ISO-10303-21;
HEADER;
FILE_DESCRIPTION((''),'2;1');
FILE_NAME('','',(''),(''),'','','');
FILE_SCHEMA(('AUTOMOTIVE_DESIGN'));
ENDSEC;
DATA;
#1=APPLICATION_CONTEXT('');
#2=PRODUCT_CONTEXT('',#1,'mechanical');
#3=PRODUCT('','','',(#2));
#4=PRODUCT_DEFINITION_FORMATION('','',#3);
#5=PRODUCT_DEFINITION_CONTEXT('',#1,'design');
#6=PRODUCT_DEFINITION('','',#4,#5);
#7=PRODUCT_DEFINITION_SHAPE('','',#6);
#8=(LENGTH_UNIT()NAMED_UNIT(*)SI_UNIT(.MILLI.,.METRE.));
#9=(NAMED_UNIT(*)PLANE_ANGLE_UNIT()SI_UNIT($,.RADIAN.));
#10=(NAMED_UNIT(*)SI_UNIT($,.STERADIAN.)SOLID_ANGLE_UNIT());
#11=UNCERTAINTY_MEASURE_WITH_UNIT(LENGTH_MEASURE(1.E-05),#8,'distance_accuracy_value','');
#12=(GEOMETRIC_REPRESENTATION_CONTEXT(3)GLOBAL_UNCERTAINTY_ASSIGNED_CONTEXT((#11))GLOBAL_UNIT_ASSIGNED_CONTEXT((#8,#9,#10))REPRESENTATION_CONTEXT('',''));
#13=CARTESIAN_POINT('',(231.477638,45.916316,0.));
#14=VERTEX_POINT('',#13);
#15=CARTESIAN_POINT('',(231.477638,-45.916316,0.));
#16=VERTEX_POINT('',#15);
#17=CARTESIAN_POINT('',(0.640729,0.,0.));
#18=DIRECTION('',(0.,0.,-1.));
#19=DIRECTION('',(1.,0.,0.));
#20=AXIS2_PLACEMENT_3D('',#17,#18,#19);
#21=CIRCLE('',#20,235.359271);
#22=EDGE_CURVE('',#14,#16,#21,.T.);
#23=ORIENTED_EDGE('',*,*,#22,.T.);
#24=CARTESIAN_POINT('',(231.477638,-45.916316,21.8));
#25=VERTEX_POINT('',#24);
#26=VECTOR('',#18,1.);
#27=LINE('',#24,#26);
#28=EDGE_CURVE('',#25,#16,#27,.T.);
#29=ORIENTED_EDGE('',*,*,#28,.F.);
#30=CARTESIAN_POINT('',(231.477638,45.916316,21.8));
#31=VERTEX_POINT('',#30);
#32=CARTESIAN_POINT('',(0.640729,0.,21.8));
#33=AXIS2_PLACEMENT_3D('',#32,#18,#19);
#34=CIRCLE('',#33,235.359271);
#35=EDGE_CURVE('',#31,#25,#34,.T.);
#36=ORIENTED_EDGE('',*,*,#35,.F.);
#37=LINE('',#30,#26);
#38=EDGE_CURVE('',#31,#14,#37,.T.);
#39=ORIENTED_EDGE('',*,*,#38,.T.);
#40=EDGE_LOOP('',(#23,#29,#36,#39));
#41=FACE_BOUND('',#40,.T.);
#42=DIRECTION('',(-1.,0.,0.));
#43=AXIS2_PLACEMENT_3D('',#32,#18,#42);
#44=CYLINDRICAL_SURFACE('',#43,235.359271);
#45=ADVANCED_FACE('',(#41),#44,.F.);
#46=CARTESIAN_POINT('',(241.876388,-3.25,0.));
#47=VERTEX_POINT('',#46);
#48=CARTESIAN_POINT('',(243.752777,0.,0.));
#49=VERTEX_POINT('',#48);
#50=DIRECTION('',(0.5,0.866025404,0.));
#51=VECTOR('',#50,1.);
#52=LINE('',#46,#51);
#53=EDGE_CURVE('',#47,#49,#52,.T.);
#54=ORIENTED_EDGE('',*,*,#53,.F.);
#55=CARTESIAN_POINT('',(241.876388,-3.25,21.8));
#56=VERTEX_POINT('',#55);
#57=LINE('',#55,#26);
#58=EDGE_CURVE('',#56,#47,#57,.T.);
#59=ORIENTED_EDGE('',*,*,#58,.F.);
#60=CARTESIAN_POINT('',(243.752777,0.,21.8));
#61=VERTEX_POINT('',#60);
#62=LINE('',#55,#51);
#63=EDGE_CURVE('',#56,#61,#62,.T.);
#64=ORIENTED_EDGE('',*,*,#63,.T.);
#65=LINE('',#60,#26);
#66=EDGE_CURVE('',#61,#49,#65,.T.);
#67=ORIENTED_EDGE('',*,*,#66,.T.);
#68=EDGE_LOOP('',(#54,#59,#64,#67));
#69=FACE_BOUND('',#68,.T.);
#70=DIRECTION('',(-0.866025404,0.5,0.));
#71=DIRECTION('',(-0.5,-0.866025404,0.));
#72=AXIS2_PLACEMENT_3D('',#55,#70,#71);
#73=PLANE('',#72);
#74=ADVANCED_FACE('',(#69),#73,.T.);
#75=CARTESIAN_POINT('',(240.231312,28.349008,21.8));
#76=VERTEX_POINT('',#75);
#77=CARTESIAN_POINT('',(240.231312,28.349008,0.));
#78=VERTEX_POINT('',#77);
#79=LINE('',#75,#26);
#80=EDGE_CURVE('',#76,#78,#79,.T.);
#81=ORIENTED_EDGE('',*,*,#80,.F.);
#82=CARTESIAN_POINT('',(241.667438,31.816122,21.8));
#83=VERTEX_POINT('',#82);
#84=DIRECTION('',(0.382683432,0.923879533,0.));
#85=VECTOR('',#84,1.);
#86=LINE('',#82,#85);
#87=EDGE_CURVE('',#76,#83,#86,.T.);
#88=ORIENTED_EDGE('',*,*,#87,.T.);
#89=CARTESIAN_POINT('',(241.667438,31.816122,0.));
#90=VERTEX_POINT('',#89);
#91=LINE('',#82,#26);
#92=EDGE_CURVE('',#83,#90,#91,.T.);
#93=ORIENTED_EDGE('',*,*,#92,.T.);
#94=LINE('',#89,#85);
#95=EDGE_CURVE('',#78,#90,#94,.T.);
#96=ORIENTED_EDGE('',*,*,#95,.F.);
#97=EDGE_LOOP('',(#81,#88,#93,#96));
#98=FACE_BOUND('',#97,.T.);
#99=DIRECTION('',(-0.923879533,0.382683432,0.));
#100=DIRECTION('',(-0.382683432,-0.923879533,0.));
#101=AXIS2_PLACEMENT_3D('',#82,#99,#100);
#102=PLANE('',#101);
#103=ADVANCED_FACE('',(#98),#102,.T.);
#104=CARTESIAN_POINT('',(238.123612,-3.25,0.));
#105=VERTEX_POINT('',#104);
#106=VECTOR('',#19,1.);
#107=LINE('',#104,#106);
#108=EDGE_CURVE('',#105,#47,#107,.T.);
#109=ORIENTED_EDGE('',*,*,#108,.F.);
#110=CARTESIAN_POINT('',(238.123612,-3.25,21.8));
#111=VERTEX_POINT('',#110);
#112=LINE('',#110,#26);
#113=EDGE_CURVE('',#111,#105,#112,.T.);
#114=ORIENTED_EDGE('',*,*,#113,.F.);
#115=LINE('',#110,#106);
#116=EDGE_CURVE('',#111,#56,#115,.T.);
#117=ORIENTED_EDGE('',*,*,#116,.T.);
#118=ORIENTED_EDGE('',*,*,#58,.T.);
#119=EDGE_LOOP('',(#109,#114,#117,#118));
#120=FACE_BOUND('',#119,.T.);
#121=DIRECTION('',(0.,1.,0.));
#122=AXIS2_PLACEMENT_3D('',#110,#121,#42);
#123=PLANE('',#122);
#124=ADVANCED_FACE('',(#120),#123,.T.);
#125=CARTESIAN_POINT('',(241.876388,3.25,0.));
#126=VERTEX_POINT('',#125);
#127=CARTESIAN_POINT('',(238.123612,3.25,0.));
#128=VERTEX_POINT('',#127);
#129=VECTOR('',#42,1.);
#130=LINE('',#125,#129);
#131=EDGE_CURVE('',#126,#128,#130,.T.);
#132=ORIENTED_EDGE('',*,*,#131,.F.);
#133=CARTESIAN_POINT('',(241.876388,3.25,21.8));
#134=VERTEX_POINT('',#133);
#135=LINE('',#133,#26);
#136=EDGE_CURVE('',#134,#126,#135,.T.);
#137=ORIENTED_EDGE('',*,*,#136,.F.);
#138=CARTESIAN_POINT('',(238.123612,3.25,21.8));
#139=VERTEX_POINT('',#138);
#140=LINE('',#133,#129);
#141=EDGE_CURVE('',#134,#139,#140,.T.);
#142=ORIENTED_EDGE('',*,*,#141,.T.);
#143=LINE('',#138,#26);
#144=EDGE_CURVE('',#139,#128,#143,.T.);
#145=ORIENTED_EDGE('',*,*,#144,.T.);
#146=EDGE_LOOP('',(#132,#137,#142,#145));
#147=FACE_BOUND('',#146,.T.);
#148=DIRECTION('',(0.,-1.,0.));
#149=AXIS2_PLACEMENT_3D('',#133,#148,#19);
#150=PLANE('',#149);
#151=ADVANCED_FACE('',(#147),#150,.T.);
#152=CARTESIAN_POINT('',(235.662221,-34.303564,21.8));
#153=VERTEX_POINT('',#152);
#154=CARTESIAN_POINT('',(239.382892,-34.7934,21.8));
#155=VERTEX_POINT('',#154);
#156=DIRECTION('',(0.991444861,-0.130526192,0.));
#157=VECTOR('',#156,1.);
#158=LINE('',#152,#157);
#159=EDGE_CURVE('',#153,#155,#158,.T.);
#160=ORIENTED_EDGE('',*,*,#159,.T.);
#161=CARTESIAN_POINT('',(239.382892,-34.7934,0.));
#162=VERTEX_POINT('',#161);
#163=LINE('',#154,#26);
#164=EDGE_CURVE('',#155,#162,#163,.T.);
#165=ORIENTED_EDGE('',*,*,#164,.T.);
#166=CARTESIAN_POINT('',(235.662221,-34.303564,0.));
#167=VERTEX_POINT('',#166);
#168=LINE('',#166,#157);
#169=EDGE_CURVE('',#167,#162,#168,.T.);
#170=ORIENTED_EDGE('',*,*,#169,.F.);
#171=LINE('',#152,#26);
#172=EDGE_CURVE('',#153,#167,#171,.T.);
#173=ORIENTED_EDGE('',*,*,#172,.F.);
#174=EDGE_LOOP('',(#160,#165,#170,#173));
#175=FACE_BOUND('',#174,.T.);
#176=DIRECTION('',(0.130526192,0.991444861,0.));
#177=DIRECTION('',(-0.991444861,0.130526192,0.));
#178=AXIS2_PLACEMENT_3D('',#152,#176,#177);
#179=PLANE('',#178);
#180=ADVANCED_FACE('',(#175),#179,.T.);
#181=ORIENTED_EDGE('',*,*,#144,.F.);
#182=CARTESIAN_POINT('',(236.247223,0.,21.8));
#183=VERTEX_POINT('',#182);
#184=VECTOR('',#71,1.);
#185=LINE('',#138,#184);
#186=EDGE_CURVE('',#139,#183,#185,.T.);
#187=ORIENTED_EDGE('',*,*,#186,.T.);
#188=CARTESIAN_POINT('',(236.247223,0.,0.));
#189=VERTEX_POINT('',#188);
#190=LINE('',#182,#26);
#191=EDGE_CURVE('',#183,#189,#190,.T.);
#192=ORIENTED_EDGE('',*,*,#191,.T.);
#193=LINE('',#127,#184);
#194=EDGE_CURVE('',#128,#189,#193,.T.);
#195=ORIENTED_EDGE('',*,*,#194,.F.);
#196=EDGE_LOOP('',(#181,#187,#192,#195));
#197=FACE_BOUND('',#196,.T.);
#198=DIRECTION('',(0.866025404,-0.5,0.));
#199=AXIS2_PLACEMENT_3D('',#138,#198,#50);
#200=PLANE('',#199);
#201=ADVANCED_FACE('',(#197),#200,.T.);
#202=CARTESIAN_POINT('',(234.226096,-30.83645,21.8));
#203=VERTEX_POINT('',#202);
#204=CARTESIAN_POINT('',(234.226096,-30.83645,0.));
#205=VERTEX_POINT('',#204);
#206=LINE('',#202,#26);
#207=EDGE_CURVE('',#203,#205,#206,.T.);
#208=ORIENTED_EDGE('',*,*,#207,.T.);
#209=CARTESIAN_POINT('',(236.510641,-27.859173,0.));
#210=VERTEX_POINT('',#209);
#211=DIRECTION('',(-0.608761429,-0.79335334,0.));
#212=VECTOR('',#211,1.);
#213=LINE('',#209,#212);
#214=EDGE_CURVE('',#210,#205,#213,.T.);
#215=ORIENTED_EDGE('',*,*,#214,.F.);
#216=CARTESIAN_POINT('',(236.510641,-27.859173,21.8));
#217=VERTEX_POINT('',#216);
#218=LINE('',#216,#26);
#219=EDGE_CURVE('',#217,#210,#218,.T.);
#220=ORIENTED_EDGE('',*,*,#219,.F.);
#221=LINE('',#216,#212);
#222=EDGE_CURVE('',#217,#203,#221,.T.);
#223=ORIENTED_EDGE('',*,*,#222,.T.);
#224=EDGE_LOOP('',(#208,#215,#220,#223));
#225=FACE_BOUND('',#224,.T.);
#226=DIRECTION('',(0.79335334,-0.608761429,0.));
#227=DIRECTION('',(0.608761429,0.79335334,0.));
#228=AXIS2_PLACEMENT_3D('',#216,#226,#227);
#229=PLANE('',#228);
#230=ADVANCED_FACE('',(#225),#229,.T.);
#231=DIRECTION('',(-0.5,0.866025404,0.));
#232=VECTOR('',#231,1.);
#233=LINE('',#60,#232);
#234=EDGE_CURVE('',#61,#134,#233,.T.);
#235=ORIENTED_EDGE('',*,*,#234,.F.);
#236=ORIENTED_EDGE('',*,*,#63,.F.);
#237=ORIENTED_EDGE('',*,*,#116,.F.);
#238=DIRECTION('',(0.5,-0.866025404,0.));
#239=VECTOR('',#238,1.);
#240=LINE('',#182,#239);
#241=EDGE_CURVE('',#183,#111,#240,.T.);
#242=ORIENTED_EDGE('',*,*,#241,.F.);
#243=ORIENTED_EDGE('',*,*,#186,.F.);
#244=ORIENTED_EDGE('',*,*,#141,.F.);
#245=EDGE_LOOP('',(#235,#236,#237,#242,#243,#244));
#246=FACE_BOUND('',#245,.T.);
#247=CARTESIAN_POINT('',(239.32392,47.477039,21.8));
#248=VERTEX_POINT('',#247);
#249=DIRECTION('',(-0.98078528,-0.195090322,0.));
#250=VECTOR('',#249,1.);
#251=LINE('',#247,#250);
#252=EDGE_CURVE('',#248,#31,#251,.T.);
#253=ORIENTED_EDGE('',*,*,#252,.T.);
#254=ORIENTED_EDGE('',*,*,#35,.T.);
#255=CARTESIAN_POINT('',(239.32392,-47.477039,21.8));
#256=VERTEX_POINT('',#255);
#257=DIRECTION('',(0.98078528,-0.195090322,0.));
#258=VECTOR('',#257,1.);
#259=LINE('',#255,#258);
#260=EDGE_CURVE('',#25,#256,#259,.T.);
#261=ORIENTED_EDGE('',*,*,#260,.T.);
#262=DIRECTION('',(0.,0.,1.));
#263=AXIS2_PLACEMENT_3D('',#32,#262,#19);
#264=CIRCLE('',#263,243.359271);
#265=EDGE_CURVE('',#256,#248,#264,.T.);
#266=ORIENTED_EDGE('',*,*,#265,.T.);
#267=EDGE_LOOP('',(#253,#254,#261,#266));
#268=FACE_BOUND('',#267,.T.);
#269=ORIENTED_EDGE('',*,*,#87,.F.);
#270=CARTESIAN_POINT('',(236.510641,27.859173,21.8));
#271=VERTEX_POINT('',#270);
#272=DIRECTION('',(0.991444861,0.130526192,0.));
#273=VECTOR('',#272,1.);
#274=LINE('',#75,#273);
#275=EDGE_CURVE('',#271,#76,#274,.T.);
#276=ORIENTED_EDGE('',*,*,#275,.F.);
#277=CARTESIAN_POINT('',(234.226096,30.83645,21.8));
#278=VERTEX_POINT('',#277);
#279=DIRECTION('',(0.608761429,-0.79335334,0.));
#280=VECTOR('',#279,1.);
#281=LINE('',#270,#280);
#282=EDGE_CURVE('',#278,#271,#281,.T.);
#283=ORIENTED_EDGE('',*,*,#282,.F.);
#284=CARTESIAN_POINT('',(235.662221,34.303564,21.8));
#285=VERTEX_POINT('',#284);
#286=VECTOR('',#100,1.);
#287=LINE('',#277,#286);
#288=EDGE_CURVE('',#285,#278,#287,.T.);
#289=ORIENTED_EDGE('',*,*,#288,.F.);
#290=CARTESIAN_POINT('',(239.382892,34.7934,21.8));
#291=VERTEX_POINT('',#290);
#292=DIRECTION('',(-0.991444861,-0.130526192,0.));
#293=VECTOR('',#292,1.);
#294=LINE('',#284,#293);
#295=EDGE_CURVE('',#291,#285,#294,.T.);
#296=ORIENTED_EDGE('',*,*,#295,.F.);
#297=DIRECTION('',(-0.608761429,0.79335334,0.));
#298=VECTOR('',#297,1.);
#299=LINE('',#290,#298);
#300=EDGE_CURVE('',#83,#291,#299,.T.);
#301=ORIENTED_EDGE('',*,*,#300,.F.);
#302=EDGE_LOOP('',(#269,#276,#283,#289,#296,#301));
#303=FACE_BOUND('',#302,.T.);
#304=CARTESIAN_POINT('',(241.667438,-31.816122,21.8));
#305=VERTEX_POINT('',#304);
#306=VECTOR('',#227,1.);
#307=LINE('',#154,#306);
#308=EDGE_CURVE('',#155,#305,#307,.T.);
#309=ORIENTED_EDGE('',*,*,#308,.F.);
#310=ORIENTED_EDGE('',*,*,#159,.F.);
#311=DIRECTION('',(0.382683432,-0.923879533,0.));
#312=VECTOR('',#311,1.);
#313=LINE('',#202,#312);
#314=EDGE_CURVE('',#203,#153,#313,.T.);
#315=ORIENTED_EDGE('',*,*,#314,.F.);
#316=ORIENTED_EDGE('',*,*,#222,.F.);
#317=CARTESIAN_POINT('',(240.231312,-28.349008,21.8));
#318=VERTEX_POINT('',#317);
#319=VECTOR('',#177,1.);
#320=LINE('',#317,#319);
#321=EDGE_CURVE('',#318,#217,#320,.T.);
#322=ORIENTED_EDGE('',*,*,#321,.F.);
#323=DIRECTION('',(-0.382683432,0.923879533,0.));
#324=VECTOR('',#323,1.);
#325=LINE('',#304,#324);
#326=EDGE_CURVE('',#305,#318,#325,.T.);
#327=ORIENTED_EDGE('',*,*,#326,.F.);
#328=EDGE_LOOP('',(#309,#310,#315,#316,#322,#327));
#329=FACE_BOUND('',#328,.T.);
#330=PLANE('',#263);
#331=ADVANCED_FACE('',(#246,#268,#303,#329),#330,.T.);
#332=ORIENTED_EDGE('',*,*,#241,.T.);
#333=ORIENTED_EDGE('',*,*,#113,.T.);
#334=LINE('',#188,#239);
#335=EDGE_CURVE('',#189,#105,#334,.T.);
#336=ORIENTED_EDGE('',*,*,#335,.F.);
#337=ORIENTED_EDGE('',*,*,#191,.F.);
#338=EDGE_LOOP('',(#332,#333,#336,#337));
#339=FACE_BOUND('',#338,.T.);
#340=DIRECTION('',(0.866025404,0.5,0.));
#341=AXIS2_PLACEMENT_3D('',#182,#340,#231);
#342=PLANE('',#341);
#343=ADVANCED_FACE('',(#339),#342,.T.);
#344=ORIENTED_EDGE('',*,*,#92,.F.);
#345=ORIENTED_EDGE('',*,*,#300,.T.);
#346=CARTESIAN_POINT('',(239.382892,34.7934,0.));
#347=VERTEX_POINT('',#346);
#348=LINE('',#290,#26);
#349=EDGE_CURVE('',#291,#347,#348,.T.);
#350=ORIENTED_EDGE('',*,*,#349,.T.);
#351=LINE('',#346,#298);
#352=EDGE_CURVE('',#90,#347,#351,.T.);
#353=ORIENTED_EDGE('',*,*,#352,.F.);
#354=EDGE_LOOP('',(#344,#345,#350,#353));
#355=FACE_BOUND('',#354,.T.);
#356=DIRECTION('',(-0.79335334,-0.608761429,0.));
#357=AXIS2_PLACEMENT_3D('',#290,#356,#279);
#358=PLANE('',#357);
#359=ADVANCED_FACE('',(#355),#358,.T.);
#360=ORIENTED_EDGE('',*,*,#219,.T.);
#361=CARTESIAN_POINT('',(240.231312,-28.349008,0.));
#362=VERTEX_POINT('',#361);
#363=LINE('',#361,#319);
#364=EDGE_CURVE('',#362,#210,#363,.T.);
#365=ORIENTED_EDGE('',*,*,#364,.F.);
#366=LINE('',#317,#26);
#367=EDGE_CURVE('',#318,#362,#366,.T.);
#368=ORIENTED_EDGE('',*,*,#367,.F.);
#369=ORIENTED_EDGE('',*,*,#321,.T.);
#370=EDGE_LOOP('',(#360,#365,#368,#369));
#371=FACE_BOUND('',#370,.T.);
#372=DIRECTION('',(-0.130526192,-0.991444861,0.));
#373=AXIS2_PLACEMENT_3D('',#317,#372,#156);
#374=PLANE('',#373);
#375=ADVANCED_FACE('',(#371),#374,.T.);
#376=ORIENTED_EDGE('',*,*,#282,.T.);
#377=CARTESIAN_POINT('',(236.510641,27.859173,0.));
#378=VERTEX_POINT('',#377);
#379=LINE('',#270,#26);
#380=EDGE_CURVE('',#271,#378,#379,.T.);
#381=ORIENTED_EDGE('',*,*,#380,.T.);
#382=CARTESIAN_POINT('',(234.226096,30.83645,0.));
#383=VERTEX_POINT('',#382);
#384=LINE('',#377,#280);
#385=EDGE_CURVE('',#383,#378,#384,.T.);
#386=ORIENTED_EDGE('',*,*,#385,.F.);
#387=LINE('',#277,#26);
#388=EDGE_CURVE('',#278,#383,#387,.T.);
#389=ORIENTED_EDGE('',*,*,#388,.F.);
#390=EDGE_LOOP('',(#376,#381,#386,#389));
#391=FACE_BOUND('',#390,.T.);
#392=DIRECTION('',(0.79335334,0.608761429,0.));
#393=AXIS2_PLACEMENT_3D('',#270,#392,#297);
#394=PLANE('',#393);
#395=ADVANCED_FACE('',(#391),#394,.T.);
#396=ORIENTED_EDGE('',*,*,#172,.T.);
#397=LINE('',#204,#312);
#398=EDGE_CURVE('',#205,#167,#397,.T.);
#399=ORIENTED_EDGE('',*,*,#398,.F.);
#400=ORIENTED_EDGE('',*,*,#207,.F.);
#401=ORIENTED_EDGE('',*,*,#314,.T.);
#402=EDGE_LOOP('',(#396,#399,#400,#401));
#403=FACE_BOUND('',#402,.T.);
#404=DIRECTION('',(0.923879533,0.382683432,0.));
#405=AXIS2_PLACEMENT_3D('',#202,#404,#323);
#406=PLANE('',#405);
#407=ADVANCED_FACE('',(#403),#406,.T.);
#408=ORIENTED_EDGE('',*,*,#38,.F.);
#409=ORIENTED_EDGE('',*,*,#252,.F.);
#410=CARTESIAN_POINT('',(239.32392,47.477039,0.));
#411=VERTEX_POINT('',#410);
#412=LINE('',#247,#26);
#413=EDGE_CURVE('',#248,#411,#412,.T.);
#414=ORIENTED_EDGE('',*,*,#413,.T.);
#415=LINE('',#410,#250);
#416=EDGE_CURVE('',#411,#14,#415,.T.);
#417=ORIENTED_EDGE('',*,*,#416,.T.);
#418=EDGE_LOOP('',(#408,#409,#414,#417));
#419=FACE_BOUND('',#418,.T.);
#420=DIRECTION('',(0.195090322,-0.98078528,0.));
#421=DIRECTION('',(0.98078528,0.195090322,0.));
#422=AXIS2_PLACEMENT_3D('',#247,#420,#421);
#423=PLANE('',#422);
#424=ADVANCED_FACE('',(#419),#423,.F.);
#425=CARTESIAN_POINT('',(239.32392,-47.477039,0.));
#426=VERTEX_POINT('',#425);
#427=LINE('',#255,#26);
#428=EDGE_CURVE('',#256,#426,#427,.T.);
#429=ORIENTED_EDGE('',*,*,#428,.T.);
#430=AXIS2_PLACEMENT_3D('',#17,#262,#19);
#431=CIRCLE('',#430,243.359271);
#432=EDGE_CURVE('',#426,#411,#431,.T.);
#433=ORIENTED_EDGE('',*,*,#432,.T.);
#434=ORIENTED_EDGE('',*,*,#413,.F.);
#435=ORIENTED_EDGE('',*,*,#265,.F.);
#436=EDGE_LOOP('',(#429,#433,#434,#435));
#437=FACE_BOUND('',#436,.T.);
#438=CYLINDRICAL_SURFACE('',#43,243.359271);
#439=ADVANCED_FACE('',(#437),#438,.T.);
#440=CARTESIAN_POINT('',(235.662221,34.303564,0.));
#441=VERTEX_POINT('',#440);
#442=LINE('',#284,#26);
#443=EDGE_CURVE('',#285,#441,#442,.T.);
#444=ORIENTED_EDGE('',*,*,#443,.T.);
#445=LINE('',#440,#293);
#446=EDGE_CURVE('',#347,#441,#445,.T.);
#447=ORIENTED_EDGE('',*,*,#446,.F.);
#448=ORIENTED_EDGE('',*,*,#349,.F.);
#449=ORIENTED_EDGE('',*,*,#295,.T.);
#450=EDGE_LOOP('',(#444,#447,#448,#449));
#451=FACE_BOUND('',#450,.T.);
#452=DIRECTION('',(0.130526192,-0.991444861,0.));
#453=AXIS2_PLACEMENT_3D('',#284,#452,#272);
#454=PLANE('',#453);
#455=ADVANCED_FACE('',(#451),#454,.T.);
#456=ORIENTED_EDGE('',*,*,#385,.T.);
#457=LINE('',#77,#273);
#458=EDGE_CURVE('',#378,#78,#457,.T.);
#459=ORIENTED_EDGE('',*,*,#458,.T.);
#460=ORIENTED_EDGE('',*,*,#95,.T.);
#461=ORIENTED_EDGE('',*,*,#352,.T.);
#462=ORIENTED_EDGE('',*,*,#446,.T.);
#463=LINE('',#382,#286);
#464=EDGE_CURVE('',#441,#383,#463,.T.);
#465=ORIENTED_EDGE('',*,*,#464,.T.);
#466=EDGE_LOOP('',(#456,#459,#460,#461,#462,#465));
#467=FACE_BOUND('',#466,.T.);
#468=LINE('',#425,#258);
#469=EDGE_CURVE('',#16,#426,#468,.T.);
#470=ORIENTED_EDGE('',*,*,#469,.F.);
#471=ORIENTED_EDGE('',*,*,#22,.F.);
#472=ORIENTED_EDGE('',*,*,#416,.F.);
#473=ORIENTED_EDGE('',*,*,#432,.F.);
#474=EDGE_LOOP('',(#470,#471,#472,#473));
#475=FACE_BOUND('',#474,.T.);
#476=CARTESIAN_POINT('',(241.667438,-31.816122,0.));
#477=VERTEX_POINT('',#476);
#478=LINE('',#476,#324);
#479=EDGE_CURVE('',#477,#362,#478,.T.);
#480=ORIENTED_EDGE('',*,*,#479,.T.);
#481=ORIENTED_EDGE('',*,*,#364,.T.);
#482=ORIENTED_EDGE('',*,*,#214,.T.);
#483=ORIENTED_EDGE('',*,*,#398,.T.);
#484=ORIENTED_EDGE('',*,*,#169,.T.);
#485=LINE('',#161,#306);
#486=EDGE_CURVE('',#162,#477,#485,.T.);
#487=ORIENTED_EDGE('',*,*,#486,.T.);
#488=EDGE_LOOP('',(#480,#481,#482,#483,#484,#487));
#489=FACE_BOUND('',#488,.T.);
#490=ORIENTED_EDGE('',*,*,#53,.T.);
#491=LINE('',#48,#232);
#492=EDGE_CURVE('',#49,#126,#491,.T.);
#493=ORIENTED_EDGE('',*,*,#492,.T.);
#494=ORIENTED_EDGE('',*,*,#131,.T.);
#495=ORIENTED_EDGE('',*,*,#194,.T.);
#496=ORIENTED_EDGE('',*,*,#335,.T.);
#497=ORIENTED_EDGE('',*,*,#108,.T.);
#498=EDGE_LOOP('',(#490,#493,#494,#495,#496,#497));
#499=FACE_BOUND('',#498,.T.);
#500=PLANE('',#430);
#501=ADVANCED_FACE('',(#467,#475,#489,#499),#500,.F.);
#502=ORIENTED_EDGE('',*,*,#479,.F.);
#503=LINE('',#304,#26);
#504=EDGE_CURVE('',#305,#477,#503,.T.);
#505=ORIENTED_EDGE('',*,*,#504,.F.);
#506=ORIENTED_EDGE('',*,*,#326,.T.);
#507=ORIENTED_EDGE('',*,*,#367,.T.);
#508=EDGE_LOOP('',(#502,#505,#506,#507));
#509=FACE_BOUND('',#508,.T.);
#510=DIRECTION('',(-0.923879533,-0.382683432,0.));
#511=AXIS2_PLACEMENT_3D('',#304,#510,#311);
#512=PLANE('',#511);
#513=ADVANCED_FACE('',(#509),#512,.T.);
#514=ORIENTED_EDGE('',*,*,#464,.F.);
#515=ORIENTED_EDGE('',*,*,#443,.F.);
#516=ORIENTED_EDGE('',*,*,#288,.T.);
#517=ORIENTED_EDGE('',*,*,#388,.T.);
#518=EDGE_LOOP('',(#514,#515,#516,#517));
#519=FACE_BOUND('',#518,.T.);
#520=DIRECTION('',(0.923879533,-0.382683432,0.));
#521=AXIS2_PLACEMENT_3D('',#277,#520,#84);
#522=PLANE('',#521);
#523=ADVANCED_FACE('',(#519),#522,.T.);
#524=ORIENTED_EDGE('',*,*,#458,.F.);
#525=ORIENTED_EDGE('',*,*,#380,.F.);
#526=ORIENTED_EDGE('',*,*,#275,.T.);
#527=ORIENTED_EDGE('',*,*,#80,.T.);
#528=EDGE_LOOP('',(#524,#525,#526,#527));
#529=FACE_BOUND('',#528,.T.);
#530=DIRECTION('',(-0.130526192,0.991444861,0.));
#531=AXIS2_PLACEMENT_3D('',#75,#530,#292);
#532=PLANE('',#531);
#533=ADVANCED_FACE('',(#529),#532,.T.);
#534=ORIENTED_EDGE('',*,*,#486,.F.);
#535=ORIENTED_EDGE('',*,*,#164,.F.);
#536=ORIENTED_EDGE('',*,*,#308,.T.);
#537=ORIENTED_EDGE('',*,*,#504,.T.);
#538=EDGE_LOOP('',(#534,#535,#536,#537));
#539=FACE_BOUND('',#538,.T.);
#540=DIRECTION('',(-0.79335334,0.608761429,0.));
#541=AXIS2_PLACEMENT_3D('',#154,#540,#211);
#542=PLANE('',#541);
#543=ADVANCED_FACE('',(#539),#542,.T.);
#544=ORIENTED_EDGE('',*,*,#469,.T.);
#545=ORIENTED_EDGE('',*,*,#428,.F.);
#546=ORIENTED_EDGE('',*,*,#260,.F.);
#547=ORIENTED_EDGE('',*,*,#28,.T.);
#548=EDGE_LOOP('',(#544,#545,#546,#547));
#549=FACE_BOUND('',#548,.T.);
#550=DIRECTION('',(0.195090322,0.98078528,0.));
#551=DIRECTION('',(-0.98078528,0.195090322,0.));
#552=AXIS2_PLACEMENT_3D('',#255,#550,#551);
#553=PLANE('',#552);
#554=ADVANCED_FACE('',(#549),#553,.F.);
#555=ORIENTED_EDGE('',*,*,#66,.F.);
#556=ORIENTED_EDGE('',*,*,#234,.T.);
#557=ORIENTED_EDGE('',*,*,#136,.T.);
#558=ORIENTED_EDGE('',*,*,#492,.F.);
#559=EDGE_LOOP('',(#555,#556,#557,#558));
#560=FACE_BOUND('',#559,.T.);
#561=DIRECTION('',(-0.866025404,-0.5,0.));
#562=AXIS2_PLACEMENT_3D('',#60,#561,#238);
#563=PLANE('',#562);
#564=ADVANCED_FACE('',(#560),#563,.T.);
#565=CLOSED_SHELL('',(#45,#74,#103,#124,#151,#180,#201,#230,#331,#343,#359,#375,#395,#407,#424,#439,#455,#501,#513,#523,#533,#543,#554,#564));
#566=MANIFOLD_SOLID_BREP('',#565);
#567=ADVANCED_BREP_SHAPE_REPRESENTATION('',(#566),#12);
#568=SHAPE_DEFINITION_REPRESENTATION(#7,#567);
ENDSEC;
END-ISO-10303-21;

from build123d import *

# Parameters (mm, degrees)
BOSS_EXTRUDE1_DEPTH = 21.8


with BuildPart() as part:
    # Sketch1 → Boss-Extrude1 (new body)
    with BuildSketch(Plane.XY):
        with BuildLine():
            Line((239.323919844, -47.477038572), (231.477637601, -45.916315996))
            ThreePointArc((231.477637601, -45.916315996), (236, 0), (231.477637601, 45.916315996))
            Line((231.477637601, 45.916315996), (239.323919844, 47.477038572))
            ThreePointArc((239.323919844, 47.477038572), (244, 0), (239.323919844, -47.477038572))
        make_face()
        Polygon((236.510641242, 27.859172504), (234.226095505, 30.836450473), (235.662220993, 34.303564103), (239.382892217, 34.793399762), (241.667437954, 31.816121792), (240.231312467, 28.349008163), align=None, mode=Mode.SUBTRACT)
        Polygon((241.876388375, -3.25), (243.75277675, 0), (241.876388375, 3.25), (238.123611625, 3.25), (236.24722325, 0), (238.123611625, -3.25), align=None, mode=Mode.SUBTRACT)
        Polygon((235.662220993, -34.303564103), (239.382892217, -34.793399762), (241.667437954, -31.816121792), (240.231312467, -28.349008163), (236.510641242, -27.859172504), (234.226095505, -30.836450473), align=None, mode=Mode.SUBTRACT)
    extrude(amount=BOSS_EXTRUDE1_DEPTH)


solid = part.part
